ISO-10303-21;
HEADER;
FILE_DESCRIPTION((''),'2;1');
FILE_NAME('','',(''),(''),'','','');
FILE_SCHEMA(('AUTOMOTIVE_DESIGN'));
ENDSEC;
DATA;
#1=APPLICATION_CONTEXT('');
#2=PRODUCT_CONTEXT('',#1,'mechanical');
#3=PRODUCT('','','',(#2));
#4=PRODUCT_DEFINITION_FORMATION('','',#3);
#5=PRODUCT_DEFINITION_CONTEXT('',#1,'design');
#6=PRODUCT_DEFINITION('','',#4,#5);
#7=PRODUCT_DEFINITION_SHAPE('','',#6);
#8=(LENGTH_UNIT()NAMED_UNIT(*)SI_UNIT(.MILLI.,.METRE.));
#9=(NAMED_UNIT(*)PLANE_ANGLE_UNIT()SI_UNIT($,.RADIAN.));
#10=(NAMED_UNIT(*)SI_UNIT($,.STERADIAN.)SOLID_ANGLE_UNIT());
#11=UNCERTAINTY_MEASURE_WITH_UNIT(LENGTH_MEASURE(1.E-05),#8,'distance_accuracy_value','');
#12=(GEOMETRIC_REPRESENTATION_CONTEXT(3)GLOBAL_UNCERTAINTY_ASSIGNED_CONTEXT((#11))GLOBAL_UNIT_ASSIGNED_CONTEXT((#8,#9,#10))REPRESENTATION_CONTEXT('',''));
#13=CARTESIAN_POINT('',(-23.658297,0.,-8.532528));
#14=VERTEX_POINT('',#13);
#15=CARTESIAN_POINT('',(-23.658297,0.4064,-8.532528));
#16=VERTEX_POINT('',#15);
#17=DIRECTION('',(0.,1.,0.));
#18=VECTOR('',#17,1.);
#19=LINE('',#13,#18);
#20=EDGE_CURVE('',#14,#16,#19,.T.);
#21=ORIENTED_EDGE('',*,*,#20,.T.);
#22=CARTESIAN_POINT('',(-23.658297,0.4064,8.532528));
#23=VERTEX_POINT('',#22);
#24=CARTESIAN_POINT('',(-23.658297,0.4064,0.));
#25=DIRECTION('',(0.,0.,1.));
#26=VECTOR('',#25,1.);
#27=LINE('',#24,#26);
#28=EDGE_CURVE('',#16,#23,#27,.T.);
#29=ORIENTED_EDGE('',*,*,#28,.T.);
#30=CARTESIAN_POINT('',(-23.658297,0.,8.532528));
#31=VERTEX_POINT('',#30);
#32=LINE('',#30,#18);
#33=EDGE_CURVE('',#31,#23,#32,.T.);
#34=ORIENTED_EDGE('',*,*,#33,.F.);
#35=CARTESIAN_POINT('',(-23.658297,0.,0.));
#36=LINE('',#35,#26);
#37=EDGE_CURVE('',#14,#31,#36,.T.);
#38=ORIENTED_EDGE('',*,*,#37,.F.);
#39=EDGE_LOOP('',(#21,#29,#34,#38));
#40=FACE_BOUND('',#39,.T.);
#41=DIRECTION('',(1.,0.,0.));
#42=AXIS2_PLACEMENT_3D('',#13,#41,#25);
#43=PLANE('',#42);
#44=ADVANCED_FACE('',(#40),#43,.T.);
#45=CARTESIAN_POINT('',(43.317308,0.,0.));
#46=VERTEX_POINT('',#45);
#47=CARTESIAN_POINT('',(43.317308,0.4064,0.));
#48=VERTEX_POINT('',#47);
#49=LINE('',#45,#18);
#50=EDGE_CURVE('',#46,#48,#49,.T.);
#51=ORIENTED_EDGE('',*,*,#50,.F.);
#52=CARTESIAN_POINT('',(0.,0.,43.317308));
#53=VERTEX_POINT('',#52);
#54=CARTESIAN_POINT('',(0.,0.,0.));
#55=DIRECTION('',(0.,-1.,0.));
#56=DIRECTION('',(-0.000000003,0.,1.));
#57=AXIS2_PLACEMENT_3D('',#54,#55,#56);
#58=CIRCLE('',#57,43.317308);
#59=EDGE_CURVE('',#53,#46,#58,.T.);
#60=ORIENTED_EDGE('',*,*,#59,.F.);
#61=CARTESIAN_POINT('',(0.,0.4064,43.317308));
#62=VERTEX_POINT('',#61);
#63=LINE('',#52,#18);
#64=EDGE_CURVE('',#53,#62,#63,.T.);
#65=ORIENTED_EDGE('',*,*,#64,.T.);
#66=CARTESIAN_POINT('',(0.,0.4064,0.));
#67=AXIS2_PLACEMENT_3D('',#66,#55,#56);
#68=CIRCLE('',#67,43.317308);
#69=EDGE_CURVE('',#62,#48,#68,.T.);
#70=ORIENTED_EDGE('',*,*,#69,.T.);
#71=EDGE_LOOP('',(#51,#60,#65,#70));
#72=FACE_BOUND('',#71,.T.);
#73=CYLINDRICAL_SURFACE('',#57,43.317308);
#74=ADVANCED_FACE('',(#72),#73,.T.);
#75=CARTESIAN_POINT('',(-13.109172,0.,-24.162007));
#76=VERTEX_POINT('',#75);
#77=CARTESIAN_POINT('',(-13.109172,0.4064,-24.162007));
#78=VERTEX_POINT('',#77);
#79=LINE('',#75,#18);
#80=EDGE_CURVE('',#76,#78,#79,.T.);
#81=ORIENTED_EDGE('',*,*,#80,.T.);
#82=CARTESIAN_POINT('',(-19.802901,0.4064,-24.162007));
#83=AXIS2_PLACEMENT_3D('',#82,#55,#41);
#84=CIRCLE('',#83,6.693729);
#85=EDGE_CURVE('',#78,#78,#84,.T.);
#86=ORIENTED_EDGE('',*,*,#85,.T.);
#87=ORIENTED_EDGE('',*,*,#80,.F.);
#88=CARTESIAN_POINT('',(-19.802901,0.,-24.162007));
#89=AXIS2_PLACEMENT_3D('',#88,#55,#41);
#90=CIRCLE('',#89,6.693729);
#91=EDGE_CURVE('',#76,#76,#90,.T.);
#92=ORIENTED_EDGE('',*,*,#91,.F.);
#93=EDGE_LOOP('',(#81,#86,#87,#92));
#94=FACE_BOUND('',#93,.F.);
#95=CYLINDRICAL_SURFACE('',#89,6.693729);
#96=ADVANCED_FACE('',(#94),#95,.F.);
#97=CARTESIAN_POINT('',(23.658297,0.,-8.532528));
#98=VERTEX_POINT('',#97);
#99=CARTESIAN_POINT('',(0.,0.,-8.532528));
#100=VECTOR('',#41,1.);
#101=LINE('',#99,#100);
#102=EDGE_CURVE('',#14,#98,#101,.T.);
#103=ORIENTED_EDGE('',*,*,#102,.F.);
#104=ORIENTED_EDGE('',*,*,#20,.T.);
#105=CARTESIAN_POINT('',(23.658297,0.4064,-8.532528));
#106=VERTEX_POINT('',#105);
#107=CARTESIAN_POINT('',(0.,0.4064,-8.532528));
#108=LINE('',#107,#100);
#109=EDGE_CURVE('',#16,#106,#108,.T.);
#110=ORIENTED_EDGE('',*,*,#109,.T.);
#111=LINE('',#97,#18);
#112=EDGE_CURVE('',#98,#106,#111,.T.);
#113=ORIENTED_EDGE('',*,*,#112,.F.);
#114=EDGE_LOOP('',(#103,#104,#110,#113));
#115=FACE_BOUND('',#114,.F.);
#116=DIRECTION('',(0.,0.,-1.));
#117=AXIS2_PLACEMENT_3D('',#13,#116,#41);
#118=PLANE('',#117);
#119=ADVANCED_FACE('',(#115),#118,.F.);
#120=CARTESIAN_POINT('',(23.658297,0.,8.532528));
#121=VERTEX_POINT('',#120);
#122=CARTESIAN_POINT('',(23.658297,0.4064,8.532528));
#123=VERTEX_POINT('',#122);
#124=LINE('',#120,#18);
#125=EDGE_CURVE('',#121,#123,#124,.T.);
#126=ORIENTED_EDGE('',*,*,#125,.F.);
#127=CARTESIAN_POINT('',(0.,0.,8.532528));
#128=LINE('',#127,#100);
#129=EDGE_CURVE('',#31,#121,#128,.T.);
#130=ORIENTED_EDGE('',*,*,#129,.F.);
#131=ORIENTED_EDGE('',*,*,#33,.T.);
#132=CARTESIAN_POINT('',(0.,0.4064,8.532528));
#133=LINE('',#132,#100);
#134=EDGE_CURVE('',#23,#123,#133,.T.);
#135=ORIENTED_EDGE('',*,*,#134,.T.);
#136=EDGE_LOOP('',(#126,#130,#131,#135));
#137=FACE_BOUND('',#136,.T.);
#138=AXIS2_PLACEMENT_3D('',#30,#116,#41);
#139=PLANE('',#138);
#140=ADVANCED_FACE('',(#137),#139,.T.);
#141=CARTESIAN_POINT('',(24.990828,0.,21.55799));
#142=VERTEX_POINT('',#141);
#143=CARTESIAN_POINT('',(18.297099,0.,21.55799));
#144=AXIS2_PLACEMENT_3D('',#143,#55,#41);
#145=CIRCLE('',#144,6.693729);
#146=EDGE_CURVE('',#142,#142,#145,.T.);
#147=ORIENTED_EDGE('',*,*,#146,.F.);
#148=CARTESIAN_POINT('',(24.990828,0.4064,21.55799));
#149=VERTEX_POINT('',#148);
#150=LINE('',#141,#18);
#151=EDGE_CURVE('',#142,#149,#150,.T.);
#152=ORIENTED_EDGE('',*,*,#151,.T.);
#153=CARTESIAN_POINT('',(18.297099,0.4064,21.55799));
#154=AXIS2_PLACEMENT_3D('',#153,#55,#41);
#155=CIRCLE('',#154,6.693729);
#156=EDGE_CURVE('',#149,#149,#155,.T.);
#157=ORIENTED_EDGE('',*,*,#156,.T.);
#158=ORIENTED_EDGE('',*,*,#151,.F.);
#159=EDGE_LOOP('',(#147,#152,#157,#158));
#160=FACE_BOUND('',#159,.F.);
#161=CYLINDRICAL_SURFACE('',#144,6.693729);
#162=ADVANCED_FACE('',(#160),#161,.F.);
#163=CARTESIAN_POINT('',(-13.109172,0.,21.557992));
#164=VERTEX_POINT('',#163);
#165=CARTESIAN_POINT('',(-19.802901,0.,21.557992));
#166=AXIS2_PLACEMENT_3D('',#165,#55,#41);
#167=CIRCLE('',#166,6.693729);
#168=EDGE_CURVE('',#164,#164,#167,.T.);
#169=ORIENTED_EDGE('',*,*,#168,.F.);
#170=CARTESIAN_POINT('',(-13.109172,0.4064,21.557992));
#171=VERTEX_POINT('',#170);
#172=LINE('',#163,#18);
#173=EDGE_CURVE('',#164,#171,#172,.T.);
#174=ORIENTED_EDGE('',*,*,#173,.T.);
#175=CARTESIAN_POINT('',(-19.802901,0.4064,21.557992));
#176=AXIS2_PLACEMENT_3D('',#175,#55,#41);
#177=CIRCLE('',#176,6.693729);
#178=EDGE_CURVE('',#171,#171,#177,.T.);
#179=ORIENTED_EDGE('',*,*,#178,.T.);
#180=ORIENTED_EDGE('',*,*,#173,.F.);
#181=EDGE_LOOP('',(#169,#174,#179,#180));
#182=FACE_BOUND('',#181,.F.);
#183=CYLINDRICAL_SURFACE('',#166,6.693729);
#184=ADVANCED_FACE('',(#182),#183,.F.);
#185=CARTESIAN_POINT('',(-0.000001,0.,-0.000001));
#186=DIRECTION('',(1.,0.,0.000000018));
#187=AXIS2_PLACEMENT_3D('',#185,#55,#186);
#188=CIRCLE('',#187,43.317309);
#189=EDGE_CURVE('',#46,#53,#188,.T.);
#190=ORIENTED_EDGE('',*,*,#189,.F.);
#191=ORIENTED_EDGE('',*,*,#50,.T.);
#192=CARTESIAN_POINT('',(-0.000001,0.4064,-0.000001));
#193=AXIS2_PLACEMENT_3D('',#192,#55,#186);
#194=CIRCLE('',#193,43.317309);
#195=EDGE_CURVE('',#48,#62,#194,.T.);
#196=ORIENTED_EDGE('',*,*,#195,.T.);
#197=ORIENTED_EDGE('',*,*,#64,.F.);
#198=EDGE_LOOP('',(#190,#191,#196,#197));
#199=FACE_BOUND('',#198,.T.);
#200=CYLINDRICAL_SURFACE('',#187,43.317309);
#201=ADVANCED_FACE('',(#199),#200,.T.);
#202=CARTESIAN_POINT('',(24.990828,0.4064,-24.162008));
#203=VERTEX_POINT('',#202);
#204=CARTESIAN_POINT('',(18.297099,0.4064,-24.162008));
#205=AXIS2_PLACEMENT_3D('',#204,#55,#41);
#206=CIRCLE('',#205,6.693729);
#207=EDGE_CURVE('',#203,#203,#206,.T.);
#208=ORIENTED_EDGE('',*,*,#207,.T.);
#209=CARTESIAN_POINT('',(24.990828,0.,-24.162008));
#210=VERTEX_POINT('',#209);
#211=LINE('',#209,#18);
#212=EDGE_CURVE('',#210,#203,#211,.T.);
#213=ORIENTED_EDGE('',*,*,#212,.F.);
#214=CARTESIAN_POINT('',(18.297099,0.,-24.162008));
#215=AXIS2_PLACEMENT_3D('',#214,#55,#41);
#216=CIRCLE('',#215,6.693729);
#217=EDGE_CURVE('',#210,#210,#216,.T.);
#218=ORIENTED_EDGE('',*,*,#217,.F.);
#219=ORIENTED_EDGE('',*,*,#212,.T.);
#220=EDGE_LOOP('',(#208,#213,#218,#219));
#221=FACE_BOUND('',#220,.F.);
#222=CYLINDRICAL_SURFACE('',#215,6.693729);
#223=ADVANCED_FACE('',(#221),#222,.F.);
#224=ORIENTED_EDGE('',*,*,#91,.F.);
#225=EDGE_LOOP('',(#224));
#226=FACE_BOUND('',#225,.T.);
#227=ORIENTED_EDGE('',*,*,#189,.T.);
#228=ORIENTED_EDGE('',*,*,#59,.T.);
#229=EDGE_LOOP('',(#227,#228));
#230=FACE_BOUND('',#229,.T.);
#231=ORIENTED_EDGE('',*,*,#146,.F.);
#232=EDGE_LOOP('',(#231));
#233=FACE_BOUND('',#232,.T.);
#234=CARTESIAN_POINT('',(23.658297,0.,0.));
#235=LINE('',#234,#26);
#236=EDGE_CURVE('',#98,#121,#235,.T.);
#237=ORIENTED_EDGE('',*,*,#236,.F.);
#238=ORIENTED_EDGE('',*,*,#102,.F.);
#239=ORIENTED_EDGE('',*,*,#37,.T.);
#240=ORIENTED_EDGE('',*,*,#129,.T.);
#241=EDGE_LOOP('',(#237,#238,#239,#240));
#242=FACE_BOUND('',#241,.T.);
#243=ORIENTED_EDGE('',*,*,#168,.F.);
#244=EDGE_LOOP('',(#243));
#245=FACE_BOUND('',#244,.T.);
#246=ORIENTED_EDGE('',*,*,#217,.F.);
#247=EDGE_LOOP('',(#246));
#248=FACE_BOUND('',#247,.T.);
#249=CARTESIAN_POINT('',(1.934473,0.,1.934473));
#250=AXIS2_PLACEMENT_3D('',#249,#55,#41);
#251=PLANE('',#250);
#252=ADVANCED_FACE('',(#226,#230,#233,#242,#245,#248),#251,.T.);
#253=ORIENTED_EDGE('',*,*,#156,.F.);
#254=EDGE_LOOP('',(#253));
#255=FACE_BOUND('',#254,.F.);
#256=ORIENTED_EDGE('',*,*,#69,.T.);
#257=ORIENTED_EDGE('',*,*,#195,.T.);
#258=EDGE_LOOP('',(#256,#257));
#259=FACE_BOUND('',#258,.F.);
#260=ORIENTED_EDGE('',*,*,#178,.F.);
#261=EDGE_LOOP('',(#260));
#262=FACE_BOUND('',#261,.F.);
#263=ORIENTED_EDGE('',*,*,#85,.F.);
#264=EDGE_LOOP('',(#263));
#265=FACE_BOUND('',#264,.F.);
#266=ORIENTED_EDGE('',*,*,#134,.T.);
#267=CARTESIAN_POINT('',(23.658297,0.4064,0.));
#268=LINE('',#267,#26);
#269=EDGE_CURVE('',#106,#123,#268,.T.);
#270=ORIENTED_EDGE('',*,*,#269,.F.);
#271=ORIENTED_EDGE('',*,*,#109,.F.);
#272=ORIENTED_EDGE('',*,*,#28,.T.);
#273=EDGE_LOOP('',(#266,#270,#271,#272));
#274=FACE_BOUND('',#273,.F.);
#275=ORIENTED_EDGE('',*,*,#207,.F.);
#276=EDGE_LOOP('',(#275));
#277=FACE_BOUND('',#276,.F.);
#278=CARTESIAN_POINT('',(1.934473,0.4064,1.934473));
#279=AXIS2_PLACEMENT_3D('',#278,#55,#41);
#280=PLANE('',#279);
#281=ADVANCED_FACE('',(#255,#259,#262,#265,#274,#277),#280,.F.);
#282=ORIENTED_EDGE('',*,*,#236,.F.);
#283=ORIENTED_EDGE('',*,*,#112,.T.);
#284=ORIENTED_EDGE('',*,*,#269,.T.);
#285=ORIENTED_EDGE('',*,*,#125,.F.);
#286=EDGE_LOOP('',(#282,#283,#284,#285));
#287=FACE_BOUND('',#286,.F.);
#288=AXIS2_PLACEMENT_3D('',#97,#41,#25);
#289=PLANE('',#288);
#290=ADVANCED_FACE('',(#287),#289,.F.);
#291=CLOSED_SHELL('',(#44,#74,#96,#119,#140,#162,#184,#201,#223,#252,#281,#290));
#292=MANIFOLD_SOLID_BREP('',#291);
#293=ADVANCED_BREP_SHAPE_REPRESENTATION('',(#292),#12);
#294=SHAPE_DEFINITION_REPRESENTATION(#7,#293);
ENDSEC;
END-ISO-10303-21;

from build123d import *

# Parameters (mm, degrees)
F0_R     = 6.693729
F0_W     = 47.316594
F0_H     = 17.065056
F1_DEPTH = 0.4064


with BuildPart() as f1:
    # F0 (on Front) → F1 (new body)
    with BuildSketch(Plane.XZ):
        with BuildLine():
            ThreePointArc((0, 43.317308), (-30.629962, -30.629962), (43.317308, 0))
            ThreePointArc((43.317308, 0), (30.629962, 30.629962), (0, 43.317308))
        make_face()
        with Locations((-19.802901, -24.162007)):
            Circle(F0_R, mode=Mode.SUBTRACT)
        Rectangle(F0_W, F0_H, mode=Mode.SUBTRACT)
        with Locations((18.297099, -24.162008)):
            Circle(F0_R, mode=Mode.SUBTRACT)
        with Locations((-19.802901, 21.557992)):
            Circle(F0_R, mode=Mode.SUBTRACT)
        with Locations((18.297099, 21.55799)):
            Circle(F0_R, mode=Mode.SUBTRACT)
    extrude(amount=-F1_DEPTH)


solid = f1.part
